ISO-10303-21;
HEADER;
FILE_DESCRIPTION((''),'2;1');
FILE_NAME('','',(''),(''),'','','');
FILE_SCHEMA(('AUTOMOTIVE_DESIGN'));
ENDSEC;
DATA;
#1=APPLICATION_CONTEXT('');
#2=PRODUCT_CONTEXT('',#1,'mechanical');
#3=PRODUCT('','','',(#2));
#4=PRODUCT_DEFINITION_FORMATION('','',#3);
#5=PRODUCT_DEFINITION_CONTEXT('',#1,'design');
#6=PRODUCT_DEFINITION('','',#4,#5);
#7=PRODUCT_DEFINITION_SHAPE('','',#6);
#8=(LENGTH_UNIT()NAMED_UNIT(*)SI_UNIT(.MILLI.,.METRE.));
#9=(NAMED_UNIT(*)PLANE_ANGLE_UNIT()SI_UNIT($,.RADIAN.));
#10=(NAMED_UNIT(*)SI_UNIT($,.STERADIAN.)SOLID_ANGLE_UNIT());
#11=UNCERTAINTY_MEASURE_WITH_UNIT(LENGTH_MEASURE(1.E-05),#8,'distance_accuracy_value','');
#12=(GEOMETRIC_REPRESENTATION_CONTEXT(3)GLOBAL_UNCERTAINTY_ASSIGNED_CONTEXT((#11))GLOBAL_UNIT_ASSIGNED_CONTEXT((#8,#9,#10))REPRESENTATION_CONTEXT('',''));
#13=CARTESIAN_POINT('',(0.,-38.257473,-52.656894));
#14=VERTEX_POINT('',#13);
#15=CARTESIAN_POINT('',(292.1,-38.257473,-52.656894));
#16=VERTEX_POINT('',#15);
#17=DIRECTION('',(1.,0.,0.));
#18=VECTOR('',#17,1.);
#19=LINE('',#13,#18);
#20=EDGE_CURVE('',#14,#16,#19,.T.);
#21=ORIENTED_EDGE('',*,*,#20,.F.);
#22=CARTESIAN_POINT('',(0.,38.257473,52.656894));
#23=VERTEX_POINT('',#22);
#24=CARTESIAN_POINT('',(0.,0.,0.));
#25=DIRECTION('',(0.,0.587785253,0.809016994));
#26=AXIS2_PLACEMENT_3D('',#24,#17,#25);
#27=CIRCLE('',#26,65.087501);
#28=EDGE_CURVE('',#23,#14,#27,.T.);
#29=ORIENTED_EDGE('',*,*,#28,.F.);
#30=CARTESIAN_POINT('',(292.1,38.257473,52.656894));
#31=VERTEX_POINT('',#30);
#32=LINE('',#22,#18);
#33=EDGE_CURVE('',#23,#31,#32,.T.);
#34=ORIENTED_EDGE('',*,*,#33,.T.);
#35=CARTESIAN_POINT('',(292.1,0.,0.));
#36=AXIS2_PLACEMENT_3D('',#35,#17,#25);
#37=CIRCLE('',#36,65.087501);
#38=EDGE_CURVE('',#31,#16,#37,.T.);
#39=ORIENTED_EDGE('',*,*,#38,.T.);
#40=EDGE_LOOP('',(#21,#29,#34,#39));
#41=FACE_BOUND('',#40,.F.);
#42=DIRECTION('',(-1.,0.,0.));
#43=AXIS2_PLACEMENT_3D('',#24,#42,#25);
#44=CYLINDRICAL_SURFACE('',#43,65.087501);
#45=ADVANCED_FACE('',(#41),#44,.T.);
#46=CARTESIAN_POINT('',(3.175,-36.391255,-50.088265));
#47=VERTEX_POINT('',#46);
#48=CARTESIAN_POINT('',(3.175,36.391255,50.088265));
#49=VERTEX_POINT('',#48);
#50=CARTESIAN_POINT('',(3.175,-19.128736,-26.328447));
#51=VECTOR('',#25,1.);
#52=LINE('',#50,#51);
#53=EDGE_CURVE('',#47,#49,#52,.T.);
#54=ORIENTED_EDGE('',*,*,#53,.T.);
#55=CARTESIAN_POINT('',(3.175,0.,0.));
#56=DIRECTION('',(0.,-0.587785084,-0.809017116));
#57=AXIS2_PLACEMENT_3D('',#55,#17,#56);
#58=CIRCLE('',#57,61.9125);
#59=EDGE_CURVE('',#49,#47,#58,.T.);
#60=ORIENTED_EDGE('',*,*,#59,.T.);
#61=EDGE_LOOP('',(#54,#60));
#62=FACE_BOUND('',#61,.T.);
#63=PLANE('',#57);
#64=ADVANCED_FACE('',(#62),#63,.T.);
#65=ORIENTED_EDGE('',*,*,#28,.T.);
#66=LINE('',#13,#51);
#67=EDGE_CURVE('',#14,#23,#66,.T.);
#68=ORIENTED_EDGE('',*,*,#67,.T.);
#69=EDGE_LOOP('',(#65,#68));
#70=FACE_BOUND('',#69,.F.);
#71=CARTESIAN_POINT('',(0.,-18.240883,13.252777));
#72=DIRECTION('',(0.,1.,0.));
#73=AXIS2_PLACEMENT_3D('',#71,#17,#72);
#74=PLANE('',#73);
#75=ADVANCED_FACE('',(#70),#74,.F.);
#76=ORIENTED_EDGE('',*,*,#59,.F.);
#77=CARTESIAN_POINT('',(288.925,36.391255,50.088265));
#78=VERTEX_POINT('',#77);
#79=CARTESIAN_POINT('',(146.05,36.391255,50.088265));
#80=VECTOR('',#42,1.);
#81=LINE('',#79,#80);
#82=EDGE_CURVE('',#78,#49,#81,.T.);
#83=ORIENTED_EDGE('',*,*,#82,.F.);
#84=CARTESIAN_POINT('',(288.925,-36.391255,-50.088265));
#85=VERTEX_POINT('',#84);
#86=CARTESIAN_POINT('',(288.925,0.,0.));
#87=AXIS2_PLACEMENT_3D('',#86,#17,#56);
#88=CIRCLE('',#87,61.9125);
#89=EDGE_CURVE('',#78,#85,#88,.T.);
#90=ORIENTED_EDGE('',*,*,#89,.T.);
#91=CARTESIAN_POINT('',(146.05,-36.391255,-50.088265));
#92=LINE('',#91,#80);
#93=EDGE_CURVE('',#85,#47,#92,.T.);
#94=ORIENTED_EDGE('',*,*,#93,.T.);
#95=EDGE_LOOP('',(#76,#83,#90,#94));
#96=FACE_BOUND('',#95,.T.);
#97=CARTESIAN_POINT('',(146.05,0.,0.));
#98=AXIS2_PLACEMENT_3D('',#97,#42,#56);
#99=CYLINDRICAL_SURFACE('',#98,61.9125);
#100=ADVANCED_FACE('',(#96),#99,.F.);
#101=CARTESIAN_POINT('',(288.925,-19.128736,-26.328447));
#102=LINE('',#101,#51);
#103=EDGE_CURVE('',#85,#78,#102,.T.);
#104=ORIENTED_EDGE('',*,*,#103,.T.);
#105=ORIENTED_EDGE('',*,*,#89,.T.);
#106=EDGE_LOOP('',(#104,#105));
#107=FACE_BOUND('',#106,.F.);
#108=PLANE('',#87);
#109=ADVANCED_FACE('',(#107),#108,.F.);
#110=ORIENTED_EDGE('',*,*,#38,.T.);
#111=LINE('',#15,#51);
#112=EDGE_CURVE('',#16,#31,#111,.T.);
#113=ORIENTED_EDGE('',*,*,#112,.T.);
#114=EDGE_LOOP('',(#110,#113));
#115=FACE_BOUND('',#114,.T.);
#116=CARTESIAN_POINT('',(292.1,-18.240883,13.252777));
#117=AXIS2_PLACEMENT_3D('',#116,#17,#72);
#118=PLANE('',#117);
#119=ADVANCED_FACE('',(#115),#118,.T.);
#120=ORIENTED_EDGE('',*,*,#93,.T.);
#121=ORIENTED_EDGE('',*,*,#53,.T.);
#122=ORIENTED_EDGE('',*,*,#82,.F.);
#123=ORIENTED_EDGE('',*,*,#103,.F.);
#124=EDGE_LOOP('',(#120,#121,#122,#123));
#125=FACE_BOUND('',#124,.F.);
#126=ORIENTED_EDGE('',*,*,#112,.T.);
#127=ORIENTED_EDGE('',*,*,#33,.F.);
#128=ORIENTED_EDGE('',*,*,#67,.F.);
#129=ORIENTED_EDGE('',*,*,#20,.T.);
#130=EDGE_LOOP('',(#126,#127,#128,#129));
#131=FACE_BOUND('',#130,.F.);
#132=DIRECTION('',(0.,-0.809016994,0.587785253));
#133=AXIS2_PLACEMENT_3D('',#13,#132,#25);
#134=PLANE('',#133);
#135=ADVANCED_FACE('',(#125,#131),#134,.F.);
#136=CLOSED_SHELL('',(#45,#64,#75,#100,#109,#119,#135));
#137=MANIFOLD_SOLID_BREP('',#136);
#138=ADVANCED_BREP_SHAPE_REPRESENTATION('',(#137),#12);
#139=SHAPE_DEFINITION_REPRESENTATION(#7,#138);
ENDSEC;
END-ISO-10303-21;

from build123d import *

# Parameters (mm, degrees)
F1_DEPTH = 292.1
F2_W     = 285.75
F2_H     = 61.9125


with BuildPart() as f1:
    # F0 (on Right) → F1 (new body)
    with BuildSketch(Plane.YZ):
        with BuildLine():
            Line((-38.257473, -52.656894), (38.257473, 52.656894))
            ThreePointArc((38.257473, 52.656894), (-52.656894, 38.257473), (-38.257473, -52.656894))
        make_face()
    extrude(amount=F1_DEPTH)

    # F2 (on face) → F3 (revolve, cut)
    with BuildSketch(Plane(origin=(0, 0, 0), x_dir=(-1, 0, 0), z_dir=(0, 0.809017, -0.587785))):
        with Locations((-146.05, -30.95625)):
            Rectangle(F2_W, F2_H)
    revolve(axis=Axis((146.05, 0, 0), (1, 0, 0)), mode=Mode.SUBTRACT)


solid = f1.part
